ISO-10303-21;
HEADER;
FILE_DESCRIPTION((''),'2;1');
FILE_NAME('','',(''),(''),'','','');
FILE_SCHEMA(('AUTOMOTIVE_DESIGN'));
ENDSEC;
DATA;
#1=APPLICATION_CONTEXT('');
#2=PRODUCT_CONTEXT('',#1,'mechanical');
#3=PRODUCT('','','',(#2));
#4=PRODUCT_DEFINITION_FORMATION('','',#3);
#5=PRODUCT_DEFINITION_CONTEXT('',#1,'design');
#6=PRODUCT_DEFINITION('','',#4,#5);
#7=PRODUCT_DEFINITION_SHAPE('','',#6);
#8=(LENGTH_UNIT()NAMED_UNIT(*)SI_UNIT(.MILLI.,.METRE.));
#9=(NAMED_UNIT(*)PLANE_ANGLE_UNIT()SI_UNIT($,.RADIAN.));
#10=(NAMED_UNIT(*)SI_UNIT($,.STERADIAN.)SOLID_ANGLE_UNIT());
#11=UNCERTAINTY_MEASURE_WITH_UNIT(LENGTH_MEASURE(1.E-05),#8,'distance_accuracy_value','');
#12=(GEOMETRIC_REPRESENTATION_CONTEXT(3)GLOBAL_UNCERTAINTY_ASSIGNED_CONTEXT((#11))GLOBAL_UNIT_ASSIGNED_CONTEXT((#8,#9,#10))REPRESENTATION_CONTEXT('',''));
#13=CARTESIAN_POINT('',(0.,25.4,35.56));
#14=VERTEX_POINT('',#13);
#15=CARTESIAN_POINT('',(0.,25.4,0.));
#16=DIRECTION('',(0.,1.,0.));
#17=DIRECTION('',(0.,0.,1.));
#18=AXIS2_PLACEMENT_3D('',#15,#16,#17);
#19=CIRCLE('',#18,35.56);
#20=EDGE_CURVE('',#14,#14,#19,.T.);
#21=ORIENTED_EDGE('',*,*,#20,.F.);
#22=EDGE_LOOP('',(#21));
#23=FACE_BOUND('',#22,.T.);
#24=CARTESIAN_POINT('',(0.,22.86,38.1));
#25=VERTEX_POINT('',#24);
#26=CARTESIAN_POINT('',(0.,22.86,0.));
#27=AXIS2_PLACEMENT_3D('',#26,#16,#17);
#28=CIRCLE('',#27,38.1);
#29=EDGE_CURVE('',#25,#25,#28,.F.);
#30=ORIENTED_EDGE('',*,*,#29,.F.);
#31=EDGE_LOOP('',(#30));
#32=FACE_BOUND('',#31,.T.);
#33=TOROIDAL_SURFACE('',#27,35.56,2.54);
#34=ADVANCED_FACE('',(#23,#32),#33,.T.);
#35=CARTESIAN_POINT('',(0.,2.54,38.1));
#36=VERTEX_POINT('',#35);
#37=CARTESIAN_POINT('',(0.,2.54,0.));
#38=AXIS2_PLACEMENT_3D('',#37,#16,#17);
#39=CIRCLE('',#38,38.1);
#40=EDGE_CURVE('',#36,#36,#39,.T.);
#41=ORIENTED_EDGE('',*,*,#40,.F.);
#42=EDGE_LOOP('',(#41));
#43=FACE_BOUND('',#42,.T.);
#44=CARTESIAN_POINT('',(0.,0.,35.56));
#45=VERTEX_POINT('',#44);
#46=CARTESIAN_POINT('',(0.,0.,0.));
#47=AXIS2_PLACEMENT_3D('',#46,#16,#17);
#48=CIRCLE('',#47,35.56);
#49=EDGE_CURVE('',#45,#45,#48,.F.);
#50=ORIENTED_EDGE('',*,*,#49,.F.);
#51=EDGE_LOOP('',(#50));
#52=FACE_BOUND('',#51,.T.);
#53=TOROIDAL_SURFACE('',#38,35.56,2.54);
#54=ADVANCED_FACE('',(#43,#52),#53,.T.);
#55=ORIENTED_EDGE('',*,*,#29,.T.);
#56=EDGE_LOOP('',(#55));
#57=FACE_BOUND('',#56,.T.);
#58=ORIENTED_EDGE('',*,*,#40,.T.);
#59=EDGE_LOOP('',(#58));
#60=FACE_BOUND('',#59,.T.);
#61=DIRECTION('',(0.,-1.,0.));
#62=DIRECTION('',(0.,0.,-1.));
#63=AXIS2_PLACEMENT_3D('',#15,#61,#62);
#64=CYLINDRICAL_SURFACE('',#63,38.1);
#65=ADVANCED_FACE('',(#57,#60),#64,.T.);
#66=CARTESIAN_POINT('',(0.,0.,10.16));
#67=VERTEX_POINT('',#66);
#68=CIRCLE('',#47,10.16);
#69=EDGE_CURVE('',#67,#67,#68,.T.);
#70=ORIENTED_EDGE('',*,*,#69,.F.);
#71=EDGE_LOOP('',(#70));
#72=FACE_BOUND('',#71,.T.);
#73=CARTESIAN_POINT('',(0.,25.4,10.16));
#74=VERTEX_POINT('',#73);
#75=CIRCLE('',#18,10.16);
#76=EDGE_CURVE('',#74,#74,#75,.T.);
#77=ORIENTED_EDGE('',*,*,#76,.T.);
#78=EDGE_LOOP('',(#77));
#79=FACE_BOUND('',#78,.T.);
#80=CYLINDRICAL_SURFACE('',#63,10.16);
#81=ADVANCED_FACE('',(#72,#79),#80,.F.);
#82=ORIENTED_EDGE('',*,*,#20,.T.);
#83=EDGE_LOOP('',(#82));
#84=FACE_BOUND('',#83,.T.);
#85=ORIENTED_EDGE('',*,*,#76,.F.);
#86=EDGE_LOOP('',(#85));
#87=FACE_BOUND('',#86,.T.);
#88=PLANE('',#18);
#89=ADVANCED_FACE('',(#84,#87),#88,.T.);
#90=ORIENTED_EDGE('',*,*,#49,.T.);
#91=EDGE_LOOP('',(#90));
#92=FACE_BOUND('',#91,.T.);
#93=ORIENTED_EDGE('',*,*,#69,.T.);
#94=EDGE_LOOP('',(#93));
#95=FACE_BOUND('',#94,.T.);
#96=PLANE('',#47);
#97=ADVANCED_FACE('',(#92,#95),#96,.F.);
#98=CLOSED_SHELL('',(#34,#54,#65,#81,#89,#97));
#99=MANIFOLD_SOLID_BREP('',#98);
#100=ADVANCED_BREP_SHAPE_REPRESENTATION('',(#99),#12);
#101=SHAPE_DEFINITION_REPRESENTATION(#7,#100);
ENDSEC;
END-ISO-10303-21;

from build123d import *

# Parameters (mm, degrees)
SKETCH2_R           = 38.1
SKETCH2_R_2         = 10.16
BOSS_EXTRUDE1_DEPTH = 25.4
FILLET1_R           = 2.54


with BuildPart() as part:
    # Sketch2 → Boss-Extrude1 (new body)
    with BuildSketch(Plane(origin=(0, 0, 0), x_dir=(1, 0, 0), z_dir=(0, 1, 0))):
        with Locations(Location((0, 0, 0), (0, 0, 270))):
            Circle(SKETCH2_R)
        with Locations(Location((0, 0, 0), (0, 0, 270))):
            Circle(SKETCH2_R_2, mode=Mode.SUBTRACT)
    extrude(amount=BOSS_EXTRUDE1_DEPTH)

    # Fillet1
    fillet1_edges = [part.edges().sort_by_distance(p)[0] for p in [
        (0, 0, -38.1),
        (0, 25.4, -38.1),
    ]]
    fillet(fillet1_edges, radius=FILLET1_R)


solid = part.part
